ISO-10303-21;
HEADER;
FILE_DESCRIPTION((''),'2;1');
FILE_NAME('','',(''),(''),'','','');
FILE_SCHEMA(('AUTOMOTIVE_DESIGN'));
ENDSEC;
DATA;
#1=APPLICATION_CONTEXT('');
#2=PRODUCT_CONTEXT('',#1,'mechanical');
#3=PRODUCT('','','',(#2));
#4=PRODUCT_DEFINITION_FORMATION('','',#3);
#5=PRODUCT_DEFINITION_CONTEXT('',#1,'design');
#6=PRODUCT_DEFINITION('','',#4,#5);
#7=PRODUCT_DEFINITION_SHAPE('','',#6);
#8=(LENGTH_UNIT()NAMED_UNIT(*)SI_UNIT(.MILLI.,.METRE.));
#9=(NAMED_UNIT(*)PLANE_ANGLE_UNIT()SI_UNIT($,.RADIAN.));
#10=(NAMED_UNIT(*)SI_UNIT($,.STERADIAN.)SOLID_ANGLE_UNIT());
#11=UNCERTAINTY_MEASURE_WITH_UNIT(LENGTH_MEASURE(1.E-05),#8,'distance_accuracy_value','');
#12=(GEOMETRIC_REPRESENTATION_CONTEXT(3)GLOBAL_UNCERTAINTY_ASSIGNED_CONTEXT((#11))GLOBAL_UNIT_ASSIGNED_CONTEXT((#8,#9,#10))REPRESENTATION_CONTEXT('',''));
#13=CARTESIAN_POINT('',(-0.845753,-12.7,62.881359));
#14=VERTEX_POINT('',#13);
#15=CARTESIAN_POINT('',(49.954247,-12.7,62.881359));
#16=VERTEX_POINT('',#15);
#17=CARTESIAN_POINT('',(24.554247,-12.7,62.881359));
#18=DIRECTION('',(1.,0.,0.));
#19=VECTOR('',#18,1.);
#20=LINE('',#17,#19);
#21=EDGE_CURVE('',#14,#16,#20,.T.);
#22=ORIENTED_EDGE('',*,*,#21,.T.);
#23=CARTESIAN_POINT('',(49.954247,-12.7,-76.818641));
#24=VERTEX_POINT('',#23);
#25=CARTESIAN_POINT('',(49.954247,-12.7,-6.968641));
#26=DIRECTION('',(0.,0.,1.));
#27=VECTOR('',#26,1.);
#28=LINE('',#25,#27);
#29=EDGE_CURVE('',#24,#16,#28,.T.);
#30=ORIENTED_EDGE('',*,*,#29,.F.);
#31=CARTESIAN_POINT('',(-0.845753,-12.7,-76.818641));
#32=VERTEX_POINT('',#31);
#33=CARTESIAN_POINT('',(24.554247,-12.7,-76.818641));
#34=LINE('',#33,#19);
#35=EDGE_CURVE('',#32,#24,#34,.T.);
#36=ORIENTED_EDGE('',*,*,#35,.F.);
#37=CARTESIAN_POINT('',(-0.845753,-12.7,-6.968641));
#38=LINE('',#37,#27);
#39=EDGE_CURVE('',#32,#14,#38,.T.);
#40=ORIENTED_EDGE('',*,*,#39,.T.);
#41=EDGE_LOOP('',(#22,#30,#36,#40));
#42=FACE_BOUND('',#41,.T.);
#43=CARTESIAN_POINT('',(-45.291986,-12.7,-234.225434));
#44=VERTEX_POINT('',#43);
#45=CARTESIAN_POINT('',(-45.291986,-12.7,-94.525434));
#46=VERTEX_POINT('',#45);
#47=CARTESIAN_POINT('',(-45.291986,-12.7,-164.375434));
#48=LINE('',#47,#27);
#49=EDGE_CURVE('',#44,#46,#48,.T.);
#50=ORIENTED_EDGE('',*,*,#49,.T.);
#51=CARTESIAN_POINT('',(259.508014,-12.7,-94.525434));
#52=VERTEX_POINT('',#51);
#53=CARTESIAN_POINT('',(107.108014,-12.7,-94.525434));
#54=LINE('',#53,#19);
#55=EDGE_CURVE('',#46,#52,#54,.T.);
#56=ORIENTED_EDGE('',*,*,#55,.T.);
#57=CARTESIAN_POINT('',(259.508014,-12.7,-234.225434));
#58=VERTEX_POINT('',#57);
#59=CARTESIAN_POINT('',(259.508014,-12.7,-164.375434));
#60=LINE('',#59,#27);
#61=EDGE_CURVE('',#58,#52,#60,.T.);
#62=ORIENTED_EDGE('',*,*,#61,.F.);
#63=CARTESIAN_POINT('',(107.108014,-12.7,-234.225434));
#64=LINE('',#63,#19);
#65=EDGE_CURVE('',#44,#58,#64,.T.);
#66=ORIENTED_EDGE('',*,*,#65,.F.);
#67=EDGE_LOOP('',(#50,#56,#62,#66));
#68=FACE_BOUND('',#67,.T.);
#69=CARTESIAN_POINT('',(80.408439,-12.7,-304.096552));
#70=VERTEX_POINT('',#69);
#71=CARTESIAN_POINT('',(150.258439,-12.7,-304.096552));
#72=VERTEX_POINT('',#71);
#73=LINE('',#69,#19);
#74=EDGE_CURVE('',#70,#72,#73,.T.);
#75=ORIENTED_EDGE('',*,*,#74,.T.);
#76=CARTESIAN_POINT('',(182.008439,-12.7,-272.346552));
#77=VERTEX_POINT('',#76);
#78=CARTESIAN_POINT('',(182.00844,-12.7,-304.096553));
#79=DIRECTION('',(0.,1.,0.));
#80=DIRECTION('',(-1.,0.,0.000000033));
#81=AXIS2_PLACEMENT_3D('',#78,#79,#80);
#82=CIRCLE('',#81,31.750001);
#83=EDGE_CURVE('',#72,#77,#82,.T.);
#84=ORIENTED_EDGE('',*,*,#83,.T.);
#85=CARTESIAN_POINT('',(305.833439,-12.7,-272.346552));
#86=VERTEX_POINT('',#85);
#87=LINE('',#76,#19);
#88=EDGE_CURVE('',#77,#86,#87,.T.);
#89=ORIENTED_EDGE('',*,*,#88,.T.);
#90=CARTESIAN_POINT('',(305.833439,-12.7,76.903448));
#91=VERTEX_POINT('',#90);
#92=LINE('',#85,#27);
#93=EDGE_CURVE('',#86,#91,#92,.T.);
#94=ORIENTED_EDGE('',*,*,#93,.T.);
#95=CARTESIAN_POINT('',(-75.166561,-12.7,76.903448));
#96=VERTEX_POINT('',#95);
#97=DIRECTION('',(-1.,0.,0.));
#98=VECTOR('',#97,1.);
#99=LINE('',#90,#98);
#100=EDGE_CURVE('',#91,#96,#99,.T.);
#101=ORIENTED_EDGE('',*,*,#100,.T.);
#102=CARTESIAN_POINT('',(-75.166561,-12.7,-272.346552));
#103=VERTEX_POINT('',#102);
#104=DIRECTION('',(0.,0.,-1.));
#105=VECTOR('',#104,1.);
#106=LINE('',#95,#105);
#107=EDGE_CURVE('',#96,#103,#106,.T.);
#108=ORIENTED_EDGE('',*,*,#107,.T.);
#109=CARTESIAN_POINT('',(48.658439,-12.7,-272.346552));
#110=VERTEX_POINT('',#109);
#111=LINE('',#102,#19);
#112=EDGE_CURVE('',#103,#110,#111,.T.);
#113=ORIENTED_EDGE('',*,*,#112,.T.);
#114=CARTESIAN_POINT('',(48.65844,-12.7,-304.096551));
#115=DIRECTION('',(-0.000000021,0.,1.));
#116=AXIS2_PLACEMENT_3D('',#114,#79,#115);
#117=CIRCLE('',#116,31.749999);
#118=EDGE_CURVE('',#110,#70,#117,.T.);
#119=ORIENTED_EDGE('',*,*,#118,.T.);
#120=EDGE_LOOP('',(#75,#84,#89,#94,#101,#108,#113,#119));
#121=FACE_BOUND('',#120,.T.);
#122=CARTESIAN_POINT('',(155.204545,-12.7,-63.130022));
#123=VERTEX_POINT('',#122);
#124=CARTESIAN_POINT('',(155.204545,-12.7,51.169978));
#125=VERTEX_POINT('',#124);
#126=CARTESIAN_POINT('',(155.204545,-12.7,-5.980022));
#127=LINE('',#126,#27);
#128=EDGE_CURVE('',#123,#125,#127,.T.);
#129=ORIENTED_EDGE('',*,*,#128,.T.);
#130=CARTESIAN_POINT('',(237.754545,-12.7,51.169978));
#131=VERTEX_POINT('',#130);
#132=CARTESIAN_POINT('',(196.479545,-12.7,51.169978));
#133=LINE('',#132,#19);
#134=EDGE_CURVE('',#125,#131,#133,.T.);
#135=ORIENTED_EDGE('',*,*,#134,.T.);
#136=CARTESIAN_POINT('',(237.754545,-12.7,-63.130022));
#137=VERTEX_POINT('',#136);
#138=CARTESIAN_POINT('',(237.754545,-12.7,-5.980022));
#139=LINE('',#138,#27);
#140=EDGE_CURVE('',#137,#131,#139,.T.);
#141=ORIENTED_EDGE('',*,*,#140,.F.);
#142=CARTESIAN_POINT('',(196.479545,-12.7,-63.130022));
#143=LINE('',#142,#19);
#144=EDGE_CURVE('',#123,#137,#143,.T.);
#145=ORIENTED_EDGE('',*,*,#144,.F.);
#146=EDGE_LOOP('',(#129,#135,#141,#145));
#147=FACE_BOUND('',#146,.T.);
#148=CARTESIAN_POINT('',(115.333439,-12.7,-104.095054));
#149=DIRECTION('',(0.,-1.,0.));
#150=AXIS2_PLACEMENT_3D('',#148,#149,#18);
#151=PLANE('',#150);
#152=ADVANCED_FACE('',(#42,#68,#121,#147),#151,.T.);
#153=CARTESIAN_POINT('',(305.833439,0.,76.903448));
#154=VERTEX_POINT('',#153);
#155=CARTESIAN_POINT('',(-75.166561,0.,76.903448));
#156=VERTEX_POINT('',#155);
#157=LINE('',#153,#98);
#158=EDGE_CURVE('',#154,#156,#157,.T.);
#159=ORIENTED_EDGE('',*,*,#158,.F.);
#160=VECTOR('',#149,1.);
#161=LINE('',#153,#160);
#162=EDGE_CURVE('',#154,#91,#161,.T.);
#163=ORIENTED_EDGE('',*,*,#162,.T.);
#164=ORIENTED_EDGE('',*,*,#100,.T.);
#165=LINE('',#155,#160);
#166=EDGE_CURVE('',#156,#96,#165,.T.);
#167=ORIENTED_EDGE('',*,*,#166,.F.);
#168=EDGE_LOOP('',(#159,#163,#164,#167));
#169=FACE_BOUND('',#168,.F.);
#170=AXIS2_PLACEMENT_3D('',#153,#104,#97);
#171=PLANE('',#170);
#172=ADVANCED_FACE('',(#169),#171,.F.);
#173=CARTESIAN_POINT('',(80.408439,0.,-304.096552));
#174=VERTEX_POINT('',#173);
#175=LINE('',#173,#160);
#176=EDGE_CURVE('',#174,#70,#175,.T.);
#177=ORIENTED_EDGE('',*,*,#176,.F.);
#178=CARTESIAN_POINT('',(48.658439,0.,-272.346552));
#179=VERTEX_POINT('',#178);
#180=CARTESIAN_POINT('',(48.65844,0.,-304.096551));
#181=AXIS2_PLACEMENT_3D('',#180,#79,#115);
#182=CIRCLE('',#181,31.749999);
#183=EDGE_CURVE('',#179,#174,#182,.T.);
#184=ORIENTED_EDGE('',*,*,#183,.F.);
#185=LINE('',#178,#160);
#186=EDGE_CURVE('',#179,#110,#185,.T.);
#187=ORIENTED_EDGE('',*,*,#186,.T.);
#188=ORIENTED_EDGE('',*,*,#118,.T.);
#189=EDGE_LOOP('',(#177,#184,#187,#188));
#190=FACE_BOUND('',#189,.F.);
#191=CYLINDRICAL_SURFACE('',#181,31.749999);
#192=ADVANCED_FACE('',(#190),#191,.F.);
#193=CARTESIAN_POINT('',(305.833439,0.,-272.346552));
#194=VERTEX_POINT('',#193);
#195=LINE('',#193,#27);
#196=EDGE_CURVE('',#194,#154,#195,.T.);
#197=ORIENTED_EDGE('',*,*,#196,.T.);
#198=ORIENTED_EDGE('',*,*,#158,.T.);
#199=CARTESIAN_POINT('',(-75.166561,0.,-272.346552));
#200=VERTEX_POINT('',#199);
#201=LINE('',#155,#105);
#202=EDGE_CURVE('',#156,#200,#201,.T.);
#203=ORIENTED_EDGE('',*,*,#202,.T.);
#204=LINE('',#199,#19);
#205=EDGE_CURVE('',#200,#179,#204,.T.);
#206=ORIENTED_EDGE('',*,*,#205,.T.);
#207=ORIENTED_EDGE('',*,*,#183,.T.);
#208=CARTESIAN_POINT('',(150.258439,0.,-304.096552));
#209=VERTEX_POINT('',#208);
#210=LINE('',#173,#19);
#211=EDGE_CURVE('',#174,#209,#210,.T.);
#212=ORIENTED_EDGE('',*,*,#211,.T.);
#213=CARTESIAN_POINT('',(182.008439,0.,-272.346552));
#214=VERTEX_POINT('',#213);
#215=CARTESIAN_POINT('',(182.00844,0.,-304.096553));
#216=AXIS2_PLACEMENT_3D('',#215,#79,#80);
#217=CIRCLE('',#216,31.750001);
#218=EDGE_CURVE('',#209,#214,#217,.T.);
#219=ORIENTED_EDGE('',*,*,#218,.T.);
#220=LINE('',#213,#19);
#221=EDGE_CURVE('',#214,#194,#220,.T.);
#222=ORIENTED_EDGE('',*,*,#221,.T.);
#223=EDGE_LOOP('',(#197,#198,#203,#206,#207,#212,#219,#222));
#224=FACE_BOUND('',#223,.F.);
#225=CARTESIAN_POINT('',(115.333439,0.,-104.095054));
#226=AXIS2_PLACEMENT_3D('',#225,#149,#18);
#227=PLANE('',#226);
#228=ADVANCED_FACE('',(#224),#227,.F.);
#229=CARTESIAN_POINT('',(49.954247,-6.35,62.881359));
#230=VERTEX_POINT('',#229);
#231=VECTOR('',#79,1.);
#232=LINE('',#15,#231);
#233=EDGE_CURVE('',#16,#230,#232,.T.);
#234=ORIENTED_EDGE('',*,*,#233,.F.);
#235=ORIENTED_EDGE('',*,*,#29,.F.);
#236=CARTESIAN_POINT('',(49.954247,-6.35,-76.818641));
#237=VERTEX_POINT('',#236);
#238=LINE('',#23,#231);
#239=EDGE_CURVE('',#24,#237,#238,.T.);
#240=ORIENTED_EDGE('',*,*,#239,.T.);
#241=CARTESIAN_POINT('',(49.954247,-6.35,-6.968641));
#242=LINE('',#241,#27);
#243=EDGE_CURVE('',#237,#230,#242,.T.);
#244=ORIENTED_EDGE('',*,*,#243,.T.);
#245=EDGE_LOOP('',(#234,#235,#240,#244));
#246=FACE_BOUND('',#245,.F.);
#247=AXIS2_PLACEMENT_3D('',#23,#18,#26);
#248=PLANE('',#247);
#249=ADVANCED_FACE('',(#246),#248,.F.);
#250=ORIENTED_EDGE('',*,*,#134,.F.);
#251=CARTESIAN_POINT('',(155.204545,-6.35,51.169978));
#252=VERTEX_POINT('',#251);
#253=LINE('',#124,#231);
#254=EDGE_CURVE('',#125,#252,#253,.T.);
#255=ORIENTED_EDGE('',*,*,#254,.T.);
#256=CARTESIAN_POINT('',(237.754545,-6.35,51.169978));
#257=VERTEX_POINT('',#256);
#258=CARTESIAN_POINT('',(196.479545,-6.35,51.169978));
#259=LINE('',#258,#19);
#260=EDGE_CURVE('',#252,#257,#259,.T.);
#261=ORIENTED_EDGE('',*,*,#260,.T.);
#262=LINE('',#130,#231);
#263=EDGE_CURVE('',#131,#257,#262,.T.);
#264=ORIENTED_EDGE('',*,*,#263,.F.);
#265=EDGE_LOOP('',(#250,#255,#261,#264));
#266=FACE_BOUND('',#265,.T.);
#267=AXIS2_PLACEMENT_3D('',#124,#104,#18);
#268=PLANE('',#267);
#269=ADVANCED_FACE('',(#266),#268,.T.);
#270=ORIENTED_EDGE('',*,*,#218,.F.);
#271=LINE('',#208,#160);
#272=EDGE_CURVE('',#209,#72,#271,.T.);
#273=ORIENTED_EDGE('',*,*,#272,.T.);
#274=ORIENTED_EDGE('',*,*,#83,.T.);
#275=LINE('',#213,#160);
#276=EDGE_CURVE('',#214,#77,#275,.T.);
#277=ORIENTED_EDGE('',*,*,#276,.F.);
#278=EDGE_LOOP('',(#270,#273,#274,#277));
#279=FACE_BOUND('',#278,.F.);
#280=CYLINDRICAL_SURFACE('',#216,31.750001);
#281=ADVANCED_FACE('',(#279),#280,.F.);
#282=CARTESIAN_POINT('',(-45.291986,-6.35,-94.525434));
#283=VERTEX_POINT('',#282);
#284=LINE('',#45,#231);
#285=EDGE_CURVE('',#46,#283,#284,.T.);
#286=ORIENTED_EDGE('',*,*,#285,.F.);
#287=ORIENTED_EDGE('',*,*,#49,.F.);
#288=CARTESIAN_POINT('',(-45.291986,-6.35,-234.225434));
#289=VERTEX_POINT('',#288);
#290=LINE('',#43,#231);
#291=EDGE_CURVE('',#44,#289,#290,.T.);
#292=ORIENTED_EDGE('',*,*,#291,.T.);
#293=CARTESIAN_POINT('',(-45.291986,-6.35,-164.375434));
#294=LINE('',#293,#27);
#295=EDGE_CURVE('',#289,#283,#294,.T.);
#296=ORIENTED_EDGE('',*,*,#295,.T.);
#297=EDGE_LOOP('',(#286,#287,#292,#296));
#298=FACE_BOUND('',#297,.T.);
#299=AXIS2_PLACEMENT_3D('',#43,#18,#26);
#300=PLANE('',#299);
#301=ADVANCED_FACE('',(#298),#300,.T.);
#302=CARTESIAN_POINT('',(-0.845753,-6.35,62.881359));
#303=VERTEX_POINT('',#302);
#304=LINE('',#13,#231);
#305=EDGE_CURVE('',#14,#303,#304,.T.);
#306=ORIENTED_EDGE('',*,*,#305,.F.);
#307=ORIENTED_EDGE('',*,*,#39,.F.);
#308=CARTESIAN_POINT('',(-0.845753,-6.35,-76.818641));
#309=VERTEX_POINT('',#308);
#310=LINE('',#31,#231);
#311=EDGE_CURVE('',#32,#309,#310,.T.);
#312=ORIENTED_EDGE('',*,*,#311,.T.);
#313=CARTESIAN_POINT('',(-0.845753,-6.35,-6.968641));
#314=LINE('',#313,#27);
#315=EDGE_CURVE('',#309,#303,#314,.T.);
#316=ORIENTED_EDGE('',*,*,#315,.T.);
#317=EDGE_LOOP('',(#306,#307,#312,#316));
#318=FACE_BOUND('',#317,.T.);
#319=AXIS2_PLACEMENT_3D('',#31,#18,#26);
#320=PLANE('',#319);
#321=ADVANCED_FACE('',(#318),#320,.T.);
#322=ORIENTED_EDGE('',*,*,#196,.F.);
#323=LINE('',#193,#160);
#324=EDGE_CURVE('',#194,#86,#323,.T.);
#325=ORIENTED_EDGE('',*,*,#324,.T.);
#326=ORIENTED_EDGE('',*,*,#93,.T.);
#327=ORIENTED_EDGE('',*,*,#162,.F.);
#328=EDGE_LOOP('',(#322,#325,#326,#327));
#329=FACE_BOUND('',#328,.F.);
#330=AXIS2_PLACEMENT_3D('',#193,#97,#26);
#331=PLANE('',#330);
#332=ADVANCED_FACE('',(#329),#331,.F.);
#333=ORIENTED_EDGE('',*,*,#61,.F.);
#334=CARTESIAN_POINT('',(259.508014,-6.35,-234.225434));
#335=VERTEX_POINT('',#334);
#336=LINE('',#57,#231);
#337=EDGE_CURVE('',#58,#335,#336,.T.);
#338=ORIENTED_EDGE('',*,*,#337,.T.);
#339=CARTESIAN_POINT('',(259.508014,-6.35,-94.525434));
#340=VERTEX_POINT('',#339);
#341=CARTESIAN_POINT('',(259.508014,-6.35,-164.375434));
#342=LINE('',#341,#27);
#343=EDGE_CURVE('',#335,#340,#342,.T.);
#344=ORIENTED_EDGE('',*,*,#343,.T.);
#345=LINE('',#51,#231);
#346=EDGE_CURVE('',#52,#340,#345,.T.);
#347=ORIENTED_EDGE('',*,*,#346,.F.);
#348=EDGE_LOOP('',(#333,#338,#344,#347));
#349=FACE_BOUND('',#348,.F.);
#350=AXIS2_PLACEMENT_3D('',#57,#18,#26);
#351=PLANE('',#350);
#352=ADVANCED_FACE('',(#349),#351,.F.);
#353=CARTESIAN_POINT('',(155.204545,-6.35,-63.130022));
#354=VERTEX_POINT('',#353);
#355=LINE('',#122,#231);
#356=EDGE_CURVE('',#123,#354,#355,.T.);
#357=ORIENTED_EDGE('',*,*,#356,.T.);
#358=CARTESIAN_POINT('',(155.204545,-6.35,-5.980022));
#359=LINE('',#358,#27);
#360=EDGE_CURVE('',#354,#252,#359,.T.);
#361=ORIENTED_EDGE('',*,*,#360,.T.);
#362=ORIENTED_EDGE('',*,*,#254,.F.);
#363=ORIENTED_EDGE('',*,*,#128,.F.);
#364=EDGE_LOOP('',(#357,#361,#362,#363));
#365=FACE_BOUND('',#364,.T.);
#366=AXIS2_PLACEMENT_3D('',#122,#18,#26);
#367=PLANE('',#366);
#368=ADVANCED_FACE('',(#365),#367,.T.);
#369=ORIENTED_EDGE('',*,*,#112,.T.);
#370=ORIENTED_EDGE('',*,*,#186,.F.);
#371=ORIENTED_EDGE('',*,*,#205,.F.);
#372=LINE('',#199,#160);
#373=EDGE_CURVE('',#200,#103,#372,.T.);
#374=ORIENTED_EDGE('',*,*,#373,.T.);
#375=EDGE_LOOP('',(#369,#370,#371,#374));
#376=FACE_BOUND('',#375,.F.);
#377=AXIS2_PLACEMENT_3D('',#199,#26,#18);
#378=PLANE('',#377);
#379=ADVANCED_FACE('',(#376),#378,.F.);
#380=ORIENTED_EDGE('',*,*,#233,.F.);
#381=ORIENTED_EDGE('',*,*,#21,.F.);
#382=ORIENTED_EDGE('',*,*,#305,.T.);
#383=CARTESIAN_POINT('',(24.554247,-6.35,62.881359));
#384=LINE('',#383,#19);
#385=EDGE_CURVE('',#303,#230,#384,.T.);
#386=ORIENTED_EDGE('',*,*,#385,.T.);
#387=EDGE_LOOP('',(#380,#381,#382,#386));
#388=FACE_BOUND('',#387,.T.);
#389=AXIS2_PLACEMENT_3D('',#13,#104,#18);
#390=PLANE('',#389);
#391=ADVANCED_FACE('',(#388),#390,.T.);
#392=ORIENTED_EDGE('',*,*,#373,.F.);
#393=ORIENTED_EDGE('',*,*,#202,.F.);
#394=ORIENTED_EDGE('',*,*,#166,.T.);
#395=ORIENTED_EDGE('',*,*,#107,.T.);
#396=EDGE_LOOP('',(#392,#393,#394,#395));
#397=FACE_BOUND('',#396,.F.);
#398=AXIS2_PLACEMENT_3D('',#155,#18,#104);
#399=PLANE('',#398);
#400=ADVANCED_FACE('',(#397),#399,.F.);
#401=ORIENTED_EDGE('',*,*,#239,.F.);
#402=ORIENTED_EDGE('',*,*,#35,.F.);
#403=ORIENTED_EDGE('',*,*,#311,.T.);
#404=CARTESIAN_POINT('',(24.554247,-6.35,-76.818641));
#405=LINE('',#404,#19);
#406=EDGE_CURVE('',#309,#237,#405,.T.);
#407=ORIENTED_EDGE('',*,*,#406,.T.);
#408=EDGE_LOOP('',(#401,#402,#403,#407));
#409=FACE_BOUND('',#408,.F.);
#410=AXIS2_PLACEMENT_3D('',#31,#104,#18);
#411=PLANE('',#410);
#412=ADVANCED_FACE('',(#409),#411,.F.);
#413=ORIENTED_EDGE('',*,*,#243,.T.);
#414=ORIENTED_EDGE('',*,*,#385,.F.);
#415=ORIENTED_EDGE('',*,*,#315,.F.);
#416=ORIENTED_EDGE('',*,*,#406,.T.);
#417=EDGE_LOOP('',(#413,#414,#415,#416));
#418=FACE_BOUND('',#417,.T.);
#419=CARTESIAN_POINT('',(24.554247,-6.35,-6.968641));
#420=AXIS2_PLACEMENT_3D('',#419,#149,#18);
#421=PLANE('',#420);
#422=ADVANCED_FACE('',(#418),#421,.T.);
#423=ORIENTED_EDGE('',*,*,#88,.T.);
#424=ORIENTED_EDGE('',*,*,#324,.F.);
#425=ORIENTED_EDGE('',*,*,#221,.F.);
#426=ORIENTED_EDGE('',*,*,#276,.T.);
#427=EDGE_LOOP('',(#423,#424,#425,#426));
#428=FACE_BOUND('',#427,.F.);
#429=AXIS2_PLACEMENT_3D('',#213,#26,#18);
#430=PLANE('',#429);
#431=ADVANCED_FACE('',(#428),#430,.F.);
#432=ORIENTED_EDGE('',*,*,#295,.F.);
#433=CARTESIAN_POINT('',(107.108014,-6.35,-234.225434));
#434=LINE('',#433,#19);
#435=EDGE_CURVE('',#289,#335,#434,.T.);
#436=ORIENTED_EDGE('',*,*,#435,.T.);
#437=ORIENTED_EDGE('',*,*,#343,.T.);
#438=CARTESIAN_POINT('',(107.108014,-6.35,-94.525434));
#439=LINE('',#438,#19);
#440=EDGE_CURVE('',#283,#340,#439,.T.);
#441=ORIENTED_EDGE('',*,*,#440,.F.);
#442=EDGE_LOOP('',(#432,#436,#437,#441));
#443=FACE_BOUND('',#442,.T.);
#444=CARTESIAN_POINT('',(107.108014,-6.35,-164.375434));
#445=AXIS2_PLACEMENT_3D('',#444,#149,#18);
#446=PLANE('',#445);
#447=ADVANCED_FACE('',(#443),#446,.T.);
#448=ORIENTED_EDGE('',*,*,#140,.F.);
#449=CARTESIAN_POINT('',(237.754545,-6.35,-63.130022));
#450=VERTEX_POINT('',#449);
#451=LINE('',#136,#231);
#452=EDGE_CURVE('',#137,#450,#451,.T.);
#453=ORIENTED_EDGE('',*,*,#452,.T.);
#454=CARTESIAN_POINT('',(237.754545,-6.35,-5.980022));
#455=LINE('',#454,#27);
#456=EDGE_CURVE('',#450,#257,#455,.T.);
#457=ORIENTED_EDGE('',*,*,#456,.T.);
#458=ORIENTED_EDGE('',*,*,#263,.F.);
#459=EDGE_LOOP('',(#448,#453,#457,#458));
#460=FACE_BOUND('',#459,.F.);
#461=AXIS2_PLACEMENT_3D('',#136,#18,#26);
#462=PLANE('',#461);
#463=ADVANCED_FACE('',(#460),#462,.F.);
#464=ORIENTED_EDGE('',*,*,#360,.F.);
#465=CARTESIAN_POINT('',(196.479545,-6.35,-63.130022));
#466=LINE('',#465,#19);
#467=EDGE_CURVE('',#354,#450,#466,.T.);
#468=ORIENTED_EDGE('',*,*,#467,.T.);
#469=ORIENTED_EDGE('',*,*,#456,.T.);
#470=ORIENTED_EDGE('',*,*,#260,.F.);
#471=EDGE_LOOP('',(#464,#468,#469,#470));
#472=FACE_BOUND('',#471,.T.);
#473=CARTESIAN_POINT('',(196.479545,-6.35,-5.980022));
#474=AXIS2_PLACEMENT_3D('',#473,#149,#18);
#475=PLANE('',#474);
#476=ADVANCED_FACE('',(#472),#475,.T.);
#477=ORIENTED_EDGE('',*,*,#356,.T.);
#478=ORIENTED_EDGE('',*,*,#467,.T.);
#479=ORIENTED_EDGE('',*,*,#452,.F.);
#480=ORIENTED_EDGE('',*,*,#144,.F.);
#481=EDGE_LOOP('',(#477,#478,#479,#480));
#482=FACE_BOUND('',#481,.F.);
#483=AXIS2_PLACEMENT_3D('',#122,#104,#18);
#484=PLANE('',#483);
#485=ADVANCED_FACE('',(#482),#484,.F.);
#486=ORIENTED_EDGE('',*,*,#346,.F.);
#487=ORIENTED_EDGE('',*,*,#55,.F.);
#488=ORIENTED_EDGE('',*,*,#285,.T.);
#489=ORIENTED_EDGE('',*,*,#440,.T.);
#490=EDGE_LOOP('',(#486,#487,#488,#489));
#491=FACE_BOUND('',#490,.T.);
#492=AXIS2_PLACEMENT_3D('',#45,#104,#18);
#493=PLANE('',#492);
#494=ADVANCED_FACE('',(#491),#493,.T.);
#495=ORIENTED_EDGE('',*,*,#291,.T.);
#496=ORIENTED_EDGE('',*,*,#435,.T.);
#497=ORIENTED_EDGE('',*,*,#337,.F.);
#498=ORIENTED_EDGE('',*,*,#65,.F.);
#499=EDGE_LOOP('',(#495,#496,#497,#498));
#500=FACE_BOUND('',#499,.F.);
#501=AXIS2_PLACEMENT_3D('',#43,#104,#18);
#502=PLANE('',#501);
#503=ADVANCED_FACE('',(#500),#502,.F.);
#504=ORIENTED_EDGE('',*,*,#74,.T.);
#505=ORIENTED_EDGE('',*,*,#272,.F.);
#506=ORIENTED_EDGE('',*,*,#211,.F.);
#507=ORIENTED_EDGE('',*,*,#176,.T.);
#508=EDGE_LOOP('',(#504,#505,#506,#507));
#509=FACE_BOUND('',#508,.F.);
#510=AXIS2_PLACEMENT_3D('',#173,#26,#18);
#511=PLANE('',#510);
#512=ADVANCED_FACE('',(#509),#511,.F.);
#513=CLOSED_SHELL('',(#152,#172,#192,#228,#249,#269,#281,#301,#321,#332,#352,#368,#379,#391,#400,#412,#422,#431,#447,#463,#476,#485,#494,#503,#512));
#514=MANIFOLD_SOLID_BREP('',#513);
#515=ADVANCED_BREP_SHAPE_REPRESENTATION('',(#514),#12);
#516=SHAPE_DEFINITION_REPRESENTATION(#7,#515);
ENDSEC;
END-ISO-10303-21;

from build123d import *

# Parameters (mm, degrees)
F1_DEPTH = 12.7
F2_W     = 304.8
F2_H     = 139.7
F2_W_2   = 50.8
F2_W_3   = 82.55
F2_H_2   = 114.3
F3_DEPTH = 6.35


with BuildPart() as f1:
    # F0 (on Front) → F1 (new body)
    with BuildSketch(Plane.XZ):
        with BuildLine():
            Line((305.833439, 76.903448), (-75.166561, 76.903448))
            Line((-75.166561, 76.903448), (-75.166561, -272.346552))
            Line((-75.166561, -272.346552), (48.658439, -272.346552))
            ThreePointArc((48.658439, -272.346552), (71.10908, -281.645912), (80.408439, -304.096552))
            Line((80.408439, -304.096552), (115.333439, -304.096552))
            Line((115.333439, -304.096552), (150.258439, -304.096552))
            ThreePointArc((150.258439, -304.096552), (159.557799, -281.645912), (182.008439, -272.346552))
            Line((182.008439, -272.346552), (305.833439, -272.346552))
            Line((305.833439, -272.346552), (305.833439, 76.903448))
        make_face()
    extrude(amount=F1_DEPTH)

    # F2 (on face) → F3 (cut)
    with BuildSketch(Plane.XZ.offset(12.7)):
        with Locations((107.108014, -164.375434)):
            Rectangle(F2_W, F2_H)
        with Locations((24.554247, -6.968641)):
            Rectangle(F2_W_2, F2_H)
        with Locations((196.479545, -5.980022)):
            Rectangle(F2_W_3, F2_H_2)
    extrude(amount=-F3_DEPTH, mode=Mode.SUBTRACT)


solid = f1.part
